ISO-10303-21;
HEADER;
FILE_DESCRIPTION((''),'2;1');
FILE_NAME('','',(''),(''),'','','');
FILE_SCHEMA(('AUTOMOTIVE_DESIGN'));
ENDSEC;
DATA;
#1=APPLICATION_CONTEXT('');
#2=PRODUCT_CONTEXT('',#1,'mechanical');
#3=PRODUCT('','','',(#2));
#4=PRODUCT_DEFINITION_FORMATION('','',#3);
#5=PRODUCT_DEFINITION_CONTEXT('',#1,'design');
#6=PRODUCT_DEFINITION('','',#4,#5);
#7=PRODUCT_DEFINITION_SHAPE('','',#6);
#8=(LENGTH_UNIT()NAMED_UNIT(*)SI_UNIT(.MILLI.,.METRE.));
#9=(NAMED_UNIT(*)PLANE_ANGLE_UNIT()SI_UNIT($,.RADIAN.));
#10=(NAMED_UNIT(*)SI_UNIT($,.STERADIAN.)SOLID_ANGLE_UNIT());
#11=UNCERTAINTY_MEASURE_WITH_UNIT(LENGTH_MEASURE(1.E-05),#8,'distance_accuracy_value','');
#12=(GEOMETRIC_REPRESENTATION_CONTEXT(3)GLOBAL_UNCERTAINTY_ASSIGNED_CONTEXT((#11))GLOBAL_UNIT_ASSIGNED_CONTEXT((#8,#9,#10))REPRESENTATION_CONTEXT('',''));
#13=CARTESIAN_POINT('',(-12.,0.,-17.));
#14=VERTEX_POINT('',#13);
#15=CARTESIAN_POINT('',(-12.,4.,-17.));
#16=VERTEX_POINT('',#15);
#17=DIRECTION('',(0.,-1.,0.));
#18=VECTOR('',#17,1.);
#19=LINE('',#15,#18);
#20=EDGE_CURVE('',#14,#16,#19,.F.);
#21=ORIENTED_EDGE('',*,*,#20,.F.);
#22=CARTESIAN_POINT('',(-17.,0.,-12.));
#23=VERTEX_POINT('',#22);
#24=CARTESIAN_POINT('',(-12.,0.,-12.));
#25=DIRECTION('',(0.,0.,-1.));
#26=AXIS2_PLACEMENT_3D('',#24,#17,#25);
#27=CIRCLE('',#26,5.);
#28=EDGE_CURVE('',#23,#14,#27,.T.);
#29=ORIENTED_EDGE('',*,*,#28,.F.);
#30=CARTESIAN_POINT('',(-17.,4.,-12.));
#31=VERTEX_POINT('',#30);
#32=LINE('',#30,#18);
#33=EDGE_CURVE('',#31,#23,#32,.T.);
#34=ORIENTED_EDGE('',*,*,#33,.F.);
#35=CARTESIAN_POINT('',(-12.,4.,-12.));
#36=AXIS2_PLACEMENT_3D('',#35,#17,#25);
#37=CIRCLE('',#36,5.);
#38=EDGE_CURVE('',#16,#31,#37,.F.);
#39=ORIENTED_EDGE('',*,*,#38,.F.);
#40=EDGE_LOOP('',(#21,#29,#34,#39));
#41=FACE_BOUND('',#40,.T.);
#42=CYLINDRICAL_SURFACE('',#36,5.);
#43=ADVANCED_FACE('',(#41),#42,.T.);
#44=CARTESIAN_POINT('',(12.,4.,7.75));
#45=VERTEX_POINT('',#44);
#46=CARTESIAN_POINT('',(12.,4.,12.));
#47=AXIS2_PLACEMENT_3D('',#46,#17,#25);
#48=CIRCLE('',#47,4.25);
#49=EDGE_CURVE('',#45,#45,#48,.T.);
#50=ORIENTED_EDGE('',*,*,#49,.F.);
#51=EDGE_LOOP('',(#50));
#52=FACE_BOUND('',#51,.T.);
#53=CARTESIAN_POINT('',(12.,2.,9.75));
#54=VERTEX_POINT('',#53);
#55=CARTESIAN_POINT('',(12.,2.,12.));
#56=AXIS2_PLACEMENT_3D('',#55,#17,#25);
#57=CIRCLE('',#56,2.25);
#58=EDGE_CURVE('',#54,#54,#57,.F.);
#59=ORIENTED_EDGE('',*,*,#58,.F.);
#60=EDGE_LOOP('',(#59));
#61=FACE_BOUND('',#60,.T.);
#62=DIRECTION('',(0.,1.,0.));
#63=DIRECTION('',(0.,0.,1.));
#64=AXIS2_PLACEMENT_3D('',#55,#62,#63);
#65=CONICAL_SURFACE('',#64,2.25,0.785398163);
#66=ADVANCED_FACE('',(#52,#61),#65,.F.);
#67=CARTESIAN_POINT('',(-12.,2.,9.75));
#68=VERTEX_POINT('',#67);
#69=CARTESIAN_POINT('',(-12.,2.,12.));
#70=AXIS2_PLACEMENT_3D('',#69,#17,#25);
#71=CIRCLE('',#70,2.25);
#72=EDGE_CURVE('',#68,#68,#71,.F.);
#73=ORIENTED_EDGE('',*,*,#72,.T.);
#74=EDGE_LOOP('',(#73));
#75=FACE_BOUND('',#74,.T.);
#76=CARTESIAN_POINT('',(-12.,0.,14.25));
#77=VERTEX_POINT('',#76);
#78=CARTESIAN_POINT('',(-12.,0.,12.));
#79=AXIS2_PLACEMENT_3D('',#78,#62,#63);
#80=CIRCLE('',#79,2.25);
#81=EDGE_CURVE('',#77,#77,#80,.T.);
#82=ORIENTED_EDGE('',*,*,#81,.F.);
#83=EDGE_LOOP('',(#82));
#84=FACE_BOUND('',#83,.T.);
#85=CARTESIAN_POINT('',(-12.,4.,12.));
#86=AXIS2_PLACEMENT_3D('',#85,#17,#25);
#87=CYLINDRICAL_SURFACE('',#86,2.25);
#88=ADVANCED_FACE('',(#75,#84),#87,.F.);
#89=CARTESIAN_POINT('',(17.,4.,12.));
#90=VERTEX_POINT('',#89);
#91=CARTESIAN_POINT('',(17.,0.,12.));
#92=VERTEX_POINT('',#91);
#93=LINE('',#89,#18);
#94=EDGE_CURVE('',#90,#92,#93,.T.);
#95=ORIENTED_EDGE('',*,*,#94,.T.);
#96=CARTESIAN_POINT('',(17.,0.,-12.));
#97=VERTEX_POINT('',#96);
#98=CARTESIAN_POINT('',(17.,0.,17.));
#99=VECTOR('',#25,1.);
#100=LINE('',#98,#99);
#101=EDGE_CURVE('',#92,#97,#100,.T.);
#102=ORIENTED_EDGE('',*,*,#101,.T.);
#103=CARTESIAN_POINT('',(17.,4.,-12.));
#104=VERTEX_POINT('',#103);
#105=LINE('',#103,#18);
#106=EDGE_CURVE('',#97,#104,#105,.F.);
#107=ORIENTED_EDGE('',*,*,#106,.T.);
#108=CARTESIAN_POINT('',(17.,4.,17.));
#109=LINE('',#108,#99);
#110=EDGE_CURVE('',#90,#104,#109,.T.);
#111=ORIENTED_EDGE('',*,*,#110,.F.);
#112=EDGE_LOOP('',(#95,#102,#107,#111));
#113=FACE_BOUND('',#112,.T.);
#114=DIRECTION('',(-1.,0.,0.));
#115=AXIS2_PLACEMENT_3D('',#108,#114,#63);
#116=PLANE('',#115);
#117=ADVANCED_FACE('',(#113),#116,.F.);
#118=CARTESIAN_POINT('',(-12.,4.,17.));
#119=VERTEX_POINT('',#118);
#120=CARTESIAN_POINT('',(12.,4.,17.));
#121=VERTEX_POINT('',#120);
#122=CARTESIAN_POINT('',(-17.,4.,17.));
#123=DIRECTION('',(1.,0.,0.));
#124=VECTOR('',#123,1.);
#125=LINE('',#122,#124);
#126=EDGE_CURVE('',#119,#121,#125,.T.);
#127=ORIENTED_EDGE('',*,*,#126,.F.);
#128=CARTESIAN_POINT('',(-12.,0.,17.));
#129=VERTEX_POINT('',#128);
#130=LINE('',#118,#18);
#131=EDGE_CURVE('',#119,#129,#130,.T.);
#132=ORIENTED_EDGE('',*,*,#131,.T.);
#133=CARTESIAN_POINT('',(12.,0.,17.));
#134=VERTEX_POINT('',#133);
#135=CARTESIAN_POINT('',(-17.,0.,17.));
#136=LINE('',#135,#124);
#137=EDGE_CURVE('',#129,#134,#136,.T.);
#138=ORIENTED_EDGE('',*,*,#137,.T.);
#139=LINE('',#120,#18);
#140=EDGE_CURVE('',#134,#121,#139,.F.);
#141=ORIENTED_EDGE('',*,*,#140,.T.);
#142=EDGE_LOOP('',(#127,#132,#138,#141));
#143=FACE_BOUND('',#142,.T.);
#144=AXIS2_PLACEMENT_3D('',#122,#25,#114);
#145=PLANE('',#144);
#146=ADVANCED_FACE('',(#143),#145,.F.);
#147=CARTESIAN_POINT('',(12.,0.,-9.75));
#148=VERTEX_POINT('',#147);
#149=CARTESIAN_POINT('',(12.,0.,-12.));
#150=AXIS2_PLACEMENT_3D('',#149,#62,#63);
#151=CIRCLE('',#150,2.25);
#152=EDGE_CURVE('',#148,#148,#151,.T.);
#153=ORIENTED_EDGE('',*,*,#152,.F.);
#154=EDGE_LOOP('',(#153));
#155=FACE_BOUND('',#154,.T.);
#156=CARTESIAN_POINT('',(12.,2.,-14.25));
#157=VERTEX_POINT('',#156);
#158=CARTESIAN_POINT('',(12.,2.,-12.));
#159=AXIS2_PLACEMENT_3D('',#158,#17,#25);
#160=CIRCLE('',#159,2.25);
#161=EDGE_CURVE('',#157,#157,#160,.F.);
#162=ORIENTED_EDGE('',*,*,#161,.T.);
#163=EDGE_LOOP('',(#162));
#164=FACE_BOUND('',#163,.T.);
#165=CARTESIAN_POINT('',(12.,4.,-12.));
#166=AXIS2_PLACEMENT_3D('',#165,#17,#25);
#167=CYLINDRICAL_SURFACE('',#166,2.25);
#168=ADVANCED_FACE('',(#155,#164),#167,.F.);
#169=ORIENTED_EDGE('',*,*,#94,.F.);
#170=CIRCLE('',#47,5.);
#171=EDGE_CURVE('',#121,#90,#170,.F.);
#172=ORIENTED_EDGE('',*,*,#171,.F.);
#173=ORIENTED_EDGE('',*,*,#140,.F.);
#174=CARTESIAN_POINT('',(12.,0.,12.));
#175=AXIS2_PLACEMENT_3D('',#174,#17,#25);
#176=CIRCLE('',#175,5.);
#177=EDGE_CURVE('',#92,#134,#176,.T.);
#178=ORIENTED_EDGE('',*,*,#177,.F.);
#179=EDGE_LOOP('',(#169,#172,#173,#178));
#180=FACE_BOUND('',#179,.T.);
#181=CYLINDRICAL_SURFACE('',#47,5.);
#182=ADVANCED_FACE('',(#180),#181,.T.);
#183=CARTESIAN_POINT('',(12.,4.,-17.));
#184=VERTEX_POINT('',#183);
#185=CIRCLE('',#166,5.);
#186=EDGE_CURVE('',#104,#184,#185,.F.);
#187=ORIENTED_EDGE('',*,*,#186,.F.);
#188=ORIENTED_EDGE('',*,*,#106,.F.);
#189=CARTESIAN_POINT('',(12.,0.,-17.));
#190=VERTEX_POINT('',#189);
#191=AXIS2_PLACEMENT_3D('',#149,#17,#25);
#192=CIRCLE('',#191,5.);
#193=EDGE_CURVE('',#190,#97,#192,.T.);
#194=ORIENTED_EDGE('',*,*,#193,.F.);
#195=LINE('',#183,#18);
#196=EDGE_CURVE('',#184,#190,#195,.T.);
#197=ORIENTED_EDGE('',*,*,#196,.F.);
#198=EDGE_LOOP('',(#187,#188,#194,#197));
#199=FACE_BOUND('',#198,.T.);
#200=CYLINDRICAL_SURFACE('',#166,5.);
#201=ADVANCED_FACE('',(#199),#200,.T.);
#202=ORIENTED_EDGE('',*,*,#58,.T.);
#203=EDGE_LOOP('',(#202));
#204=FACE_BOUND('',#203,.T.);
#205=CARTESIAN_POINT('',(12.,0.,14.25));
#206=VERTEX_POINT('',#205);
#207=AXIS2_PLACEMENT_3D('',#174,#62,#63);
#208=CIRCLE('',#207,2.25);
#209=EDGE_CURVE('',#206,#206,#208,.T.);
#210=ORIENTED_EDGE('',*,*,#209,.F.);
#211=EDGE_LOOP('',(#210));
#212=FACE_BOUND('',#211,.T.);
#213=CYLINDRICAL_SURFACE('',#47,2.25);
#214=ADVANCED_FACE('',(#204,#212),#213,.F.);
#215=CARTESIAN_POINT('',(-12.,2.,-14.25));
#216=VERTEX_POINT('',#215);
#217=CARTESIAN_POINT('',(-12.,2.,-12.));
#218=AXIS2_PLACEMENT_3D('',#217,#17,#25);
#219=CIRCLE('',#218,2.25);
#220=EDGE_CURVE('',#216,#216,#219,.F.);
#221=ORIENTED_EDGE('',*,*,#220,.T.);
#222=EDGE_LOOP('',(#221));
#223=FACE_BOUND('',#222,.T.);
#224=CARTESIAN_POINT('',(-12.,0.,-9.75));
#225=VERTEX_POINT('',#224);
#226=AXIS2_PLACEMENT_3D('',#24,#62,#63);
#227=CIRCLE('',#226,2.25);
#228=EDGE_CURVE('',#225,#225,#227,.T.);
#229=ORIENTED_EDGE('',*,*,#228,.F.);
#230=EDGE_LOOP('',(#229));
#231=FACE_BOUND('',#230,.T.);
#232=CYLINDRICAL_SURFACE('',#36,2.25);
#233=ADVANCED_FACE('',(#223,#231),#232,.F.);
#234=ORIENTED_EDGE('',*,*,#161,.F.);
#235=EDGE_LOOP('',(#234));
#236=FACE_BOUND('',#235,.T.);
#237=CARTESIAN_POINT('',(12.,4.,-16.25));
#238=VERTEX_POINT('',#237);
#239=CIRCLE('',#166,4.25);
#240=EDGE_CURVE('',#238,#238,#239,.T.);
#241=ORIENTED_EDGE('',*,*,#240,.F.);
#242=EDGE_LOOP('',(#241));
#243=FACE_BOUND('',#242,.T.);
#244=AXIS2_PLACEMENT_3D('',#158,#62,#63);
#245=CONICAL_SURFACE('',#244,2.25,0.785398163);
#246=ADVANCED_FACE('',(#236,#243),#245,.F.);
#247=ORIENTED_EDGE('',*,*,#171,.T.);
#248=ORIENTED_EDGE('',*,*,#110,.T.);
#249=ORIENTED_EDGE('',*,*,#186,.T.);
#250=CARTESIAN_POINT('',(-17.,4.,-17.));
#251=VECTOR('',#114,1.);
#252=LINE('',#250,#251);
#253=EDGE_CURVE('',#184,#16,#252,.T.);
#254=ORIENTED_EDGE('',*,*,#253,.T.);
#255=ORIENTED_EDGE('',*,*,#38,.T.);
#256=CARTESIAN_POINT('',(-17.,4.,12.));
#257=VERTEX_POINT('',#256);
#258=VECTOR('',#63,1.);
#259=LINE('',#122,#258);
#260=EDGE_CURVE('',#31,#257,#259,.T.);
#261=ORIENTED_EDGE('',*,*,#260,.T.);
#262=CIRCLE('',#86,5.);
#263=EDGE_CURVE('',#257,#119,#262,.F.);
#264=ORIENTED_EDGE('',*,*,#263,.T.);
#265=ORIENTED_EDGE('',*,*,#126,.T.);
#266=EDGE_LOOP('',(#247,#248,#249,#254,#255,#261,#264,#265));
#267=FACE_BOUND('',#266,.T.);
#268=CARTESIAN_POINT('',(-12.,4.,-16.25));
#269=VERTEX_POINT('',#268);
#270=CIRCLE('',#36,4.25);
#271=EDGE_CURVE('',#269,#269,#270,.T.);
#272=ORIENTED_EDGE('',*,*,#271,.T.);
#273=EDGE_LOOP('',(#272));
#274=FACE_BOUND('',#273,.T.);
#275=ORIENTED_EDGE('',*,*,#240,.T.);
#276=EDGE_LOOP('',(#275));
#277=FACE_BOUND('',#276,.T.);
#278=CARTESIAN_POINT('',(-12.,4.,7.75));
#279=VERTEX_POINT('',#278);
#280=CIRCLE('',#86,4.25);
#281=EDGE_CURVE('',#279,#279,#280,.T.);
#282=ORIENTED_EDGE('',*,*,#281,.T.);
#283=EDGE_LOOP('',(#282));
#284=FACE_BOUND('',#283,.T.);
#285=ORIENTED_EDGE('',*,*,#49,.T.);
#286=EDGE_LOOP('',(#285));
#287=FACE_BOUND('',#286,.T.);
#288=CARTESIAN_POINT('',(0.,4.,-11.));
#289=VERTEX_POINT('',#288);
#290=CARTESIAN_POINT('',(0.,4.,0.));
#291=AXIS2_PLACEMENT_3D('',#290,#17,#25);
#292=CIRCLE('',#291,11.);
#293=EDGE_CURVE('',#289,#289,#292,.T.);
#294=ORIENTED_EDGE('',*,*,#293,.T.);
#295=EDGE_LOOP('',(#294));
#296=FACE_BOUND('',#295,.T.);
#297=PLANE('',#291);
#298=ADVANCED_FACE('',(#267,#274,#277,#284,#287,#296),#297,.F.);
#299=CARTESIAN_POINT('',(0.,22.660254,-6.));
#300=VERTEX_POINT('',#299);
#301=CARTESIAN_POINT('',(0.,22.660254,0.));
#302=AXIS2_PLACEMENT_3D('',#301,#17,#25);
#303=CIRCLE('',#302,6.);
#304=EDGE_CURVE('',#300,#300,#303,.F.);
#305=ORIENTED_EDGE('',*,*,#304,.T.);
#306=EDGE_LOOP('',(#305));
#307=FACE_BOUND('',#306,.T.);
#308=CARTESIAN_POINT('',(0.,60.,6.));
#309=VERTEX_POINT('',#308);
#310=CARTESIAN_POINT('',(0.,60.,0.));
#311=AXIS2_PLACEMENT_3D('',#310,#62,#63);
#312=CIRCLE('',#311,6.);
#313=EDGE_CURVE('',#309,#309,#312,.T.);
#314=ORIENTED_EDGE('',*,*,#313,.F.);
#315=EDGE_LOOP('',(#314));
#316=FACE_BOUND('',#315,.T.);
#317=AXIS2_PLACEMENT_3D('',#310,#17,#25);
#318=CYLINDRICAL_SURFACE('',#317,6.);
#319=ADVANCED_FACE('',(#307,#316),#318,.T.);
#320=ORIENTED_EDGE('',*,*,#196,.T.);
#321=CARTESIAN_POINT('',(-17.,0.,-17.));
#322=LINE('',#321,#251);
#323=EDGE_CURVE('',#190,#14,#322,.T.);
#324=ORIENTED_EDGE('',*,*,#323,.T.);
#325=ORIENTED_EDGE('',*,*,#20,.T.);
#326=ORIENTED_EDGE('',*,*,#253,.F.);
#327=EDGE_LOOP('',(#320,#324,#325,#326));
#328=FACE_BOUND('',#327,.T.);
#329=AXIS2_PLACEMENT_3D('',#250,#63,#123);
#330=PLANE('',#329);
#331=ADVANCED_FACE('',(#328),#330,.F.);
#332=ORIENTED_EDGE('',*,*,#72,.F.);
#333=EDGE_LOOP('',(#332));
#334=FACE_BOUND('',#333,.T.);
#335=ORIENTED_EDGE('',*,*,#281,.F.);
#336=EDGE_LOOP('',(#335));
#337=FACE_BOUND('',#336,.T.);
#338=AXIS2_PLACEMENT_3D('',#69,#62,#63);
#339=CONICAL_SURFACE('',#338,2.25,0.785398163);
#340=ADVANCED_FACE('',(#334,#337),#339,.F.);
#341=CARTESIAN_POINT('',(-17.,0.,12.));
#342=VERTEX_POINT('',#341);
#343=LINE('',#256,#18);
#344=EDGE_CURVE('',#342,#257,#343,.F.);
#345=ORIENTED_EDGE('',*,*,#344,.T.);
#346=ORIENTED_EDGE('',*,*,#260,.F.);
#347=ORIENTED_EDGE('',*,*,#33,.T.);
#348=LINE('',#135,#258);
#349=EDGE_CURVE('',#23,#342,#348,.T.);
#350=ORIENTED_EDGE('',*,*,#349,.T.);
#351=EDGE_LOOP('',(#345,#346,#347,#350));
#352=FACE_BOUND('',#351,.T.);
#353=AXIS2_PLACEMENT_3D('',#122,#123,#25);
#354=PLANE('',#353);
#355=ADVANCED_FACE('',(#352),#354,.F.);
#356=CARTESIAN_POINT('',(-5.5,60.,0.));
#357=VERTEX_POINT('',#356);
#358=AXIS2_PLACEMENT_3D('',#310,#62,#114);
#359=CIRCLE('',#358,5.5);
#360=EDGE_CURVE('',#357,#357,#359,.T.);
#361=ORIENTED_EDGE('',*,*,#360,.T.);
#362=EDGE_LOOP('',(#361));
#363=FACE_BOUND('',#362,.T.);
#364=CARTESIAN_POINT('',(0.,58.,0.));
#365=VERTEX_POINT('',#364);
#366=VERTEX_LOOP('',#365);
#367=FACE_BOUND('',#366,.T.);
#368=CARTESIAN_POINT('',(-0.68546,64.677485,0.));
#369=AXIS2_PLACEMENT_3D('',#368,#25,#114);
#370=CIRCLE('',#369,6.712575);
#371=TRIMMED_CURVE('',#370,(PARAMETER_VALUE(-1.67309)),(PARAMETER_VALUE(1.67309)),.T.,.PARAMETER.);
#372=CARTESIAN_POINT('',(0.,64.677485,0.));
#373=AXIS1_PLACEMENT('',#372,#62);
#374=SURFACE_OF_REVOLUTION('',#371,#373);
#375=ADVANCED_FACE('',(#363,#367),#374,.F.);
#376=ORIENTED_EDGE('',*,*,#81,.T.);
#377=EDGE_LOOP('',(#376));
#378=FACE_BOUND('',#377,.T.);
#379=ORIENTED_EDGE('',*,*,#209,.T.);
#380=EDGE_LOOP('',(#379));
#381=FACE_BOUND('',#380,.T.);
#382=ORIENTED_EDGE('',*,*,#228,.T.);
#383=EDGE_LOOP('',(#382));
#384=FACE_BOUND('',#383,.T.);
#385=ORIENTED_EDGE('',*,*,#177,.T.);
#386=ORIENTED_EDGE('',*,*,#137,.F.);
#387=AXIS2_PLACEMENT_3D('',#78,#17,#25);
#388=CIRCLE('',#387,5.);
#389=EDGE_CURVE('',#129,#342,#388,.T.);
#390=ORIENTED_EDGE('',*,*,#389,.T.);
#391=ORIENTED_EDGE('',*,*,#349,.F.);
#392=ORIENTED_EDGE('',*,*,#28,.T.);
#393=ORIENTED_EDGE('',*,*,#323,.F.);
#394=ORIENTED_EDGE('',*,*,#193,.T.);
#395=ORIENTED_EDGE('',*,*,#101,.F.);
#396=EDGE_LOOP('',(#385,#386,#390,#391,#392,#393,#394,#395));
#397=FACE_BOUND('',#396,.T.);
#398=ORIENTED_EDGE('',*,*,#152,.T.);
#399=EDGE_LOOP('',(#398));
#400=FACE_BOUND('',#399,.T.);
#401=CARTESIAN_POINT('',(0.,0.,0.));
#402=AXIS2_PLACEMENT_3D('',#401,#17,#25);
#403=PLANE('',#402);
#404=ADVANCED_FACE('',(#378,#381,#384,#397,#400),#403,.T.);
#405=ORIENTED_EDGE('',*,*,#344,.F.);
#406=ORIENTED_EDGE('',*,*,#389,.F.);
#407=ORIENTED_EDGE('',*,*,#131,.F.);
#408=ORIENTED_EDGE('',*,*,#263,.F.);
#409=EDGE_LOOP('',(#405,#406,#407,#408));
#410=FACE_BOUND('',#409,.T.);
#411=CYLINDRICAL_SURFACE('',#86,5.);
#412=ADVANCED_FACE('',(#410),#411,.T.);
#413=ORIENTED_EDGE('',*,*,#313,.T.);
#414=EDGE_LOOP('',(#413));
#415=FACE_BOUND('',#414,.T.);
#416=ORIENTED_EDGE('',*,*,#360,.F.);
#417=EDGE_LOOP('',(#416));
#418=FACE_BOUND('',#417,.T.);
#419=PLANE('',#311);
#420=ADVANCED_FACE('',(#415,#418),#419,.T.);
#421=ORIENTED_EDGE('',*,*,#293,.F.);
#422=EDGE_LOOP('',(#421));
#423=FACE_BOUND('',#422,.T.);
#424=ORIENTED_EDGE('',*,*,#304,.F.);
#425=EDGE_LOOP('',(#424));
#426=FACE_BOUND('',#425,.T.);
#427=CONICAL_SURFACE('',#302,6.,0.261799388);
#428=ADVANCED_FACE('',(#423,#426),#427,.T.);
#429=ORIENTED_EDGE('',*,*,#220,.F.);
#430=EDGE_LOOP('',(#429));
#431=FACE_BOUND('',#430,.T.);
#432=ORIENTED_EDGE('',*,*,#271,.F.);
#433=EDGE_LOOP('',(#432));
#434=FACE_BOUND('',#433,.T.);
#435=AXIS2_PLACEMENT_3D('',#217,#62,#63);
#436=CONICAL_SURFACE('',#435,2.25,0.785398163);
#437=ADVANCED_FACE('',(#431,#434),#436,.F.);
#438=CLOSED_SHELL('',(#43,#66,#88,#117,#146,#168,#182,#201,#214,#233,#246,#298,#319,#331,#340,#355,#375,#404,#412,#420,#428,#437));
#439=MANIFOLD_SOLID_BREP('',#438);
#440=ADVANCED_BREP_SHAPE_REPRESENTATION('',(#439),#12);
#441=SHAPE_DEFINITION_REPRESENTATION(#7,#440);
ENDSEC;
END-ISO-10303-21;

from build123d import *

# Parameters (mm, degrees)
SKETCH_1_W      = 34
SKETCH_1_H      = 34
SKETCH_1_R      = 2.25
EXTRUDE_1_DEPTH = 4
FILLET_1_R      = 5
SKETCH_2_R      = 6
EXTRUDE_2_DEPTH = 56
CHAMFER_1_SIZE  = 5
CHAMFER_1_SIZE2 = 18.660254038
CHAMFER_2_SIZE  = 2


with BuildPart() as part:
    # Эскиз1 → Бобышка-Вытянуть1 (new body)
    with BuildSketch(Plane(origin=(0, 0, 0), x_dir=(1, 0, 0), z_dir=(0, 1, 0))):
        Rectangle(SKETCH_1_W, SKETCH_1_H)
        with Locations(Location((-12, 12, 0), (0, 0, 270))):
            Circle(SKETCH_1_R, mode=Mode.SUBTRACT)
        with Locations(Location((12, 12, 0), (0, 0, 270))):
            Circle(SKETCH_1_R, mode=Mode.SUBTRACT)
        with Locations(Location((12, -12, 0), (0, 0, 270))):
            Circle(SKETCH_1_R, mode=Mode.SUBTRACT)
        with Locations(Location((-12, -12, 0), (0, 0, 270))):
            Circle(SKETCH_1_R, mode=Mode.SUBTRACT)
    extrude(amount=EXTRUDE_1_DEPTH)

    # Скругление1
    fillet_1_edges = [part.edges().sort_by_distance(p)[0] for p in [
        (17, 2, 17),
        (-17, 2, 17),
        (-17, 2, -17),
        (17, 2, -17),
    ]]
    fillet(fillet_1_edges, radius=FILLET_1_R)

    # Эскиз2 → Бобышка-Вытянуть2 (add)
    with BuildSketch(Plane(origin=(0, 4, 0), x_dir=(1, 0, 0), z_dir=(0, 1, 0))):
        with Locations(Location((0, 0, 0), (0, 0, 270))):
            Circle(SKETCH_2_R)
    extrude(amount=EXTRUDE_2_DEPTH)

    # Эскиз7 → Вырез-Повернуть3 (revolve, cut)
    with BuildSketch(Plane.XY):
        with BuildLine():
            Line((5.5, 60), (0, 60))
            Line((0, 60), (0, 58))
            ThreePointArc((0, 58), (2.979435889, 58.369051304), (5.5, 60))
        make_face()
    revolve(axis=Axis((0, 82.404747685, 0), (0, -1, 0)), mode=Mode.SUBTRACT)

    # Фаска1
    chamfer_1_edges = [part.edges().sort_by_distance(p)[0] for p in [
        (0, 4, -6),
    ]]
    chamfer_1_side = [part.faces().sort_by_distance(p)[0] for p in [
        (0, 4, 16.519167389),
    ]]
    chamfer(chamfer_1_edges, length=CHAMFER_1_SIZE, length2=CHAMFER_1_SIZE2, reference=chamfer_1_side[0])

    # Фаска2
    chamfer_2_edges = [part.edges().sort_by_distance(p)[0] for p in [
        (-12, 4, -14.25),
        (12, 4, -14.25),
        (12, 4, 9.75),
        (-12, 4, 9.75),
    ]]
    chamfer(chamfer_2_edges, length=CHAMFER_2_SIZE)


solid = part.part
